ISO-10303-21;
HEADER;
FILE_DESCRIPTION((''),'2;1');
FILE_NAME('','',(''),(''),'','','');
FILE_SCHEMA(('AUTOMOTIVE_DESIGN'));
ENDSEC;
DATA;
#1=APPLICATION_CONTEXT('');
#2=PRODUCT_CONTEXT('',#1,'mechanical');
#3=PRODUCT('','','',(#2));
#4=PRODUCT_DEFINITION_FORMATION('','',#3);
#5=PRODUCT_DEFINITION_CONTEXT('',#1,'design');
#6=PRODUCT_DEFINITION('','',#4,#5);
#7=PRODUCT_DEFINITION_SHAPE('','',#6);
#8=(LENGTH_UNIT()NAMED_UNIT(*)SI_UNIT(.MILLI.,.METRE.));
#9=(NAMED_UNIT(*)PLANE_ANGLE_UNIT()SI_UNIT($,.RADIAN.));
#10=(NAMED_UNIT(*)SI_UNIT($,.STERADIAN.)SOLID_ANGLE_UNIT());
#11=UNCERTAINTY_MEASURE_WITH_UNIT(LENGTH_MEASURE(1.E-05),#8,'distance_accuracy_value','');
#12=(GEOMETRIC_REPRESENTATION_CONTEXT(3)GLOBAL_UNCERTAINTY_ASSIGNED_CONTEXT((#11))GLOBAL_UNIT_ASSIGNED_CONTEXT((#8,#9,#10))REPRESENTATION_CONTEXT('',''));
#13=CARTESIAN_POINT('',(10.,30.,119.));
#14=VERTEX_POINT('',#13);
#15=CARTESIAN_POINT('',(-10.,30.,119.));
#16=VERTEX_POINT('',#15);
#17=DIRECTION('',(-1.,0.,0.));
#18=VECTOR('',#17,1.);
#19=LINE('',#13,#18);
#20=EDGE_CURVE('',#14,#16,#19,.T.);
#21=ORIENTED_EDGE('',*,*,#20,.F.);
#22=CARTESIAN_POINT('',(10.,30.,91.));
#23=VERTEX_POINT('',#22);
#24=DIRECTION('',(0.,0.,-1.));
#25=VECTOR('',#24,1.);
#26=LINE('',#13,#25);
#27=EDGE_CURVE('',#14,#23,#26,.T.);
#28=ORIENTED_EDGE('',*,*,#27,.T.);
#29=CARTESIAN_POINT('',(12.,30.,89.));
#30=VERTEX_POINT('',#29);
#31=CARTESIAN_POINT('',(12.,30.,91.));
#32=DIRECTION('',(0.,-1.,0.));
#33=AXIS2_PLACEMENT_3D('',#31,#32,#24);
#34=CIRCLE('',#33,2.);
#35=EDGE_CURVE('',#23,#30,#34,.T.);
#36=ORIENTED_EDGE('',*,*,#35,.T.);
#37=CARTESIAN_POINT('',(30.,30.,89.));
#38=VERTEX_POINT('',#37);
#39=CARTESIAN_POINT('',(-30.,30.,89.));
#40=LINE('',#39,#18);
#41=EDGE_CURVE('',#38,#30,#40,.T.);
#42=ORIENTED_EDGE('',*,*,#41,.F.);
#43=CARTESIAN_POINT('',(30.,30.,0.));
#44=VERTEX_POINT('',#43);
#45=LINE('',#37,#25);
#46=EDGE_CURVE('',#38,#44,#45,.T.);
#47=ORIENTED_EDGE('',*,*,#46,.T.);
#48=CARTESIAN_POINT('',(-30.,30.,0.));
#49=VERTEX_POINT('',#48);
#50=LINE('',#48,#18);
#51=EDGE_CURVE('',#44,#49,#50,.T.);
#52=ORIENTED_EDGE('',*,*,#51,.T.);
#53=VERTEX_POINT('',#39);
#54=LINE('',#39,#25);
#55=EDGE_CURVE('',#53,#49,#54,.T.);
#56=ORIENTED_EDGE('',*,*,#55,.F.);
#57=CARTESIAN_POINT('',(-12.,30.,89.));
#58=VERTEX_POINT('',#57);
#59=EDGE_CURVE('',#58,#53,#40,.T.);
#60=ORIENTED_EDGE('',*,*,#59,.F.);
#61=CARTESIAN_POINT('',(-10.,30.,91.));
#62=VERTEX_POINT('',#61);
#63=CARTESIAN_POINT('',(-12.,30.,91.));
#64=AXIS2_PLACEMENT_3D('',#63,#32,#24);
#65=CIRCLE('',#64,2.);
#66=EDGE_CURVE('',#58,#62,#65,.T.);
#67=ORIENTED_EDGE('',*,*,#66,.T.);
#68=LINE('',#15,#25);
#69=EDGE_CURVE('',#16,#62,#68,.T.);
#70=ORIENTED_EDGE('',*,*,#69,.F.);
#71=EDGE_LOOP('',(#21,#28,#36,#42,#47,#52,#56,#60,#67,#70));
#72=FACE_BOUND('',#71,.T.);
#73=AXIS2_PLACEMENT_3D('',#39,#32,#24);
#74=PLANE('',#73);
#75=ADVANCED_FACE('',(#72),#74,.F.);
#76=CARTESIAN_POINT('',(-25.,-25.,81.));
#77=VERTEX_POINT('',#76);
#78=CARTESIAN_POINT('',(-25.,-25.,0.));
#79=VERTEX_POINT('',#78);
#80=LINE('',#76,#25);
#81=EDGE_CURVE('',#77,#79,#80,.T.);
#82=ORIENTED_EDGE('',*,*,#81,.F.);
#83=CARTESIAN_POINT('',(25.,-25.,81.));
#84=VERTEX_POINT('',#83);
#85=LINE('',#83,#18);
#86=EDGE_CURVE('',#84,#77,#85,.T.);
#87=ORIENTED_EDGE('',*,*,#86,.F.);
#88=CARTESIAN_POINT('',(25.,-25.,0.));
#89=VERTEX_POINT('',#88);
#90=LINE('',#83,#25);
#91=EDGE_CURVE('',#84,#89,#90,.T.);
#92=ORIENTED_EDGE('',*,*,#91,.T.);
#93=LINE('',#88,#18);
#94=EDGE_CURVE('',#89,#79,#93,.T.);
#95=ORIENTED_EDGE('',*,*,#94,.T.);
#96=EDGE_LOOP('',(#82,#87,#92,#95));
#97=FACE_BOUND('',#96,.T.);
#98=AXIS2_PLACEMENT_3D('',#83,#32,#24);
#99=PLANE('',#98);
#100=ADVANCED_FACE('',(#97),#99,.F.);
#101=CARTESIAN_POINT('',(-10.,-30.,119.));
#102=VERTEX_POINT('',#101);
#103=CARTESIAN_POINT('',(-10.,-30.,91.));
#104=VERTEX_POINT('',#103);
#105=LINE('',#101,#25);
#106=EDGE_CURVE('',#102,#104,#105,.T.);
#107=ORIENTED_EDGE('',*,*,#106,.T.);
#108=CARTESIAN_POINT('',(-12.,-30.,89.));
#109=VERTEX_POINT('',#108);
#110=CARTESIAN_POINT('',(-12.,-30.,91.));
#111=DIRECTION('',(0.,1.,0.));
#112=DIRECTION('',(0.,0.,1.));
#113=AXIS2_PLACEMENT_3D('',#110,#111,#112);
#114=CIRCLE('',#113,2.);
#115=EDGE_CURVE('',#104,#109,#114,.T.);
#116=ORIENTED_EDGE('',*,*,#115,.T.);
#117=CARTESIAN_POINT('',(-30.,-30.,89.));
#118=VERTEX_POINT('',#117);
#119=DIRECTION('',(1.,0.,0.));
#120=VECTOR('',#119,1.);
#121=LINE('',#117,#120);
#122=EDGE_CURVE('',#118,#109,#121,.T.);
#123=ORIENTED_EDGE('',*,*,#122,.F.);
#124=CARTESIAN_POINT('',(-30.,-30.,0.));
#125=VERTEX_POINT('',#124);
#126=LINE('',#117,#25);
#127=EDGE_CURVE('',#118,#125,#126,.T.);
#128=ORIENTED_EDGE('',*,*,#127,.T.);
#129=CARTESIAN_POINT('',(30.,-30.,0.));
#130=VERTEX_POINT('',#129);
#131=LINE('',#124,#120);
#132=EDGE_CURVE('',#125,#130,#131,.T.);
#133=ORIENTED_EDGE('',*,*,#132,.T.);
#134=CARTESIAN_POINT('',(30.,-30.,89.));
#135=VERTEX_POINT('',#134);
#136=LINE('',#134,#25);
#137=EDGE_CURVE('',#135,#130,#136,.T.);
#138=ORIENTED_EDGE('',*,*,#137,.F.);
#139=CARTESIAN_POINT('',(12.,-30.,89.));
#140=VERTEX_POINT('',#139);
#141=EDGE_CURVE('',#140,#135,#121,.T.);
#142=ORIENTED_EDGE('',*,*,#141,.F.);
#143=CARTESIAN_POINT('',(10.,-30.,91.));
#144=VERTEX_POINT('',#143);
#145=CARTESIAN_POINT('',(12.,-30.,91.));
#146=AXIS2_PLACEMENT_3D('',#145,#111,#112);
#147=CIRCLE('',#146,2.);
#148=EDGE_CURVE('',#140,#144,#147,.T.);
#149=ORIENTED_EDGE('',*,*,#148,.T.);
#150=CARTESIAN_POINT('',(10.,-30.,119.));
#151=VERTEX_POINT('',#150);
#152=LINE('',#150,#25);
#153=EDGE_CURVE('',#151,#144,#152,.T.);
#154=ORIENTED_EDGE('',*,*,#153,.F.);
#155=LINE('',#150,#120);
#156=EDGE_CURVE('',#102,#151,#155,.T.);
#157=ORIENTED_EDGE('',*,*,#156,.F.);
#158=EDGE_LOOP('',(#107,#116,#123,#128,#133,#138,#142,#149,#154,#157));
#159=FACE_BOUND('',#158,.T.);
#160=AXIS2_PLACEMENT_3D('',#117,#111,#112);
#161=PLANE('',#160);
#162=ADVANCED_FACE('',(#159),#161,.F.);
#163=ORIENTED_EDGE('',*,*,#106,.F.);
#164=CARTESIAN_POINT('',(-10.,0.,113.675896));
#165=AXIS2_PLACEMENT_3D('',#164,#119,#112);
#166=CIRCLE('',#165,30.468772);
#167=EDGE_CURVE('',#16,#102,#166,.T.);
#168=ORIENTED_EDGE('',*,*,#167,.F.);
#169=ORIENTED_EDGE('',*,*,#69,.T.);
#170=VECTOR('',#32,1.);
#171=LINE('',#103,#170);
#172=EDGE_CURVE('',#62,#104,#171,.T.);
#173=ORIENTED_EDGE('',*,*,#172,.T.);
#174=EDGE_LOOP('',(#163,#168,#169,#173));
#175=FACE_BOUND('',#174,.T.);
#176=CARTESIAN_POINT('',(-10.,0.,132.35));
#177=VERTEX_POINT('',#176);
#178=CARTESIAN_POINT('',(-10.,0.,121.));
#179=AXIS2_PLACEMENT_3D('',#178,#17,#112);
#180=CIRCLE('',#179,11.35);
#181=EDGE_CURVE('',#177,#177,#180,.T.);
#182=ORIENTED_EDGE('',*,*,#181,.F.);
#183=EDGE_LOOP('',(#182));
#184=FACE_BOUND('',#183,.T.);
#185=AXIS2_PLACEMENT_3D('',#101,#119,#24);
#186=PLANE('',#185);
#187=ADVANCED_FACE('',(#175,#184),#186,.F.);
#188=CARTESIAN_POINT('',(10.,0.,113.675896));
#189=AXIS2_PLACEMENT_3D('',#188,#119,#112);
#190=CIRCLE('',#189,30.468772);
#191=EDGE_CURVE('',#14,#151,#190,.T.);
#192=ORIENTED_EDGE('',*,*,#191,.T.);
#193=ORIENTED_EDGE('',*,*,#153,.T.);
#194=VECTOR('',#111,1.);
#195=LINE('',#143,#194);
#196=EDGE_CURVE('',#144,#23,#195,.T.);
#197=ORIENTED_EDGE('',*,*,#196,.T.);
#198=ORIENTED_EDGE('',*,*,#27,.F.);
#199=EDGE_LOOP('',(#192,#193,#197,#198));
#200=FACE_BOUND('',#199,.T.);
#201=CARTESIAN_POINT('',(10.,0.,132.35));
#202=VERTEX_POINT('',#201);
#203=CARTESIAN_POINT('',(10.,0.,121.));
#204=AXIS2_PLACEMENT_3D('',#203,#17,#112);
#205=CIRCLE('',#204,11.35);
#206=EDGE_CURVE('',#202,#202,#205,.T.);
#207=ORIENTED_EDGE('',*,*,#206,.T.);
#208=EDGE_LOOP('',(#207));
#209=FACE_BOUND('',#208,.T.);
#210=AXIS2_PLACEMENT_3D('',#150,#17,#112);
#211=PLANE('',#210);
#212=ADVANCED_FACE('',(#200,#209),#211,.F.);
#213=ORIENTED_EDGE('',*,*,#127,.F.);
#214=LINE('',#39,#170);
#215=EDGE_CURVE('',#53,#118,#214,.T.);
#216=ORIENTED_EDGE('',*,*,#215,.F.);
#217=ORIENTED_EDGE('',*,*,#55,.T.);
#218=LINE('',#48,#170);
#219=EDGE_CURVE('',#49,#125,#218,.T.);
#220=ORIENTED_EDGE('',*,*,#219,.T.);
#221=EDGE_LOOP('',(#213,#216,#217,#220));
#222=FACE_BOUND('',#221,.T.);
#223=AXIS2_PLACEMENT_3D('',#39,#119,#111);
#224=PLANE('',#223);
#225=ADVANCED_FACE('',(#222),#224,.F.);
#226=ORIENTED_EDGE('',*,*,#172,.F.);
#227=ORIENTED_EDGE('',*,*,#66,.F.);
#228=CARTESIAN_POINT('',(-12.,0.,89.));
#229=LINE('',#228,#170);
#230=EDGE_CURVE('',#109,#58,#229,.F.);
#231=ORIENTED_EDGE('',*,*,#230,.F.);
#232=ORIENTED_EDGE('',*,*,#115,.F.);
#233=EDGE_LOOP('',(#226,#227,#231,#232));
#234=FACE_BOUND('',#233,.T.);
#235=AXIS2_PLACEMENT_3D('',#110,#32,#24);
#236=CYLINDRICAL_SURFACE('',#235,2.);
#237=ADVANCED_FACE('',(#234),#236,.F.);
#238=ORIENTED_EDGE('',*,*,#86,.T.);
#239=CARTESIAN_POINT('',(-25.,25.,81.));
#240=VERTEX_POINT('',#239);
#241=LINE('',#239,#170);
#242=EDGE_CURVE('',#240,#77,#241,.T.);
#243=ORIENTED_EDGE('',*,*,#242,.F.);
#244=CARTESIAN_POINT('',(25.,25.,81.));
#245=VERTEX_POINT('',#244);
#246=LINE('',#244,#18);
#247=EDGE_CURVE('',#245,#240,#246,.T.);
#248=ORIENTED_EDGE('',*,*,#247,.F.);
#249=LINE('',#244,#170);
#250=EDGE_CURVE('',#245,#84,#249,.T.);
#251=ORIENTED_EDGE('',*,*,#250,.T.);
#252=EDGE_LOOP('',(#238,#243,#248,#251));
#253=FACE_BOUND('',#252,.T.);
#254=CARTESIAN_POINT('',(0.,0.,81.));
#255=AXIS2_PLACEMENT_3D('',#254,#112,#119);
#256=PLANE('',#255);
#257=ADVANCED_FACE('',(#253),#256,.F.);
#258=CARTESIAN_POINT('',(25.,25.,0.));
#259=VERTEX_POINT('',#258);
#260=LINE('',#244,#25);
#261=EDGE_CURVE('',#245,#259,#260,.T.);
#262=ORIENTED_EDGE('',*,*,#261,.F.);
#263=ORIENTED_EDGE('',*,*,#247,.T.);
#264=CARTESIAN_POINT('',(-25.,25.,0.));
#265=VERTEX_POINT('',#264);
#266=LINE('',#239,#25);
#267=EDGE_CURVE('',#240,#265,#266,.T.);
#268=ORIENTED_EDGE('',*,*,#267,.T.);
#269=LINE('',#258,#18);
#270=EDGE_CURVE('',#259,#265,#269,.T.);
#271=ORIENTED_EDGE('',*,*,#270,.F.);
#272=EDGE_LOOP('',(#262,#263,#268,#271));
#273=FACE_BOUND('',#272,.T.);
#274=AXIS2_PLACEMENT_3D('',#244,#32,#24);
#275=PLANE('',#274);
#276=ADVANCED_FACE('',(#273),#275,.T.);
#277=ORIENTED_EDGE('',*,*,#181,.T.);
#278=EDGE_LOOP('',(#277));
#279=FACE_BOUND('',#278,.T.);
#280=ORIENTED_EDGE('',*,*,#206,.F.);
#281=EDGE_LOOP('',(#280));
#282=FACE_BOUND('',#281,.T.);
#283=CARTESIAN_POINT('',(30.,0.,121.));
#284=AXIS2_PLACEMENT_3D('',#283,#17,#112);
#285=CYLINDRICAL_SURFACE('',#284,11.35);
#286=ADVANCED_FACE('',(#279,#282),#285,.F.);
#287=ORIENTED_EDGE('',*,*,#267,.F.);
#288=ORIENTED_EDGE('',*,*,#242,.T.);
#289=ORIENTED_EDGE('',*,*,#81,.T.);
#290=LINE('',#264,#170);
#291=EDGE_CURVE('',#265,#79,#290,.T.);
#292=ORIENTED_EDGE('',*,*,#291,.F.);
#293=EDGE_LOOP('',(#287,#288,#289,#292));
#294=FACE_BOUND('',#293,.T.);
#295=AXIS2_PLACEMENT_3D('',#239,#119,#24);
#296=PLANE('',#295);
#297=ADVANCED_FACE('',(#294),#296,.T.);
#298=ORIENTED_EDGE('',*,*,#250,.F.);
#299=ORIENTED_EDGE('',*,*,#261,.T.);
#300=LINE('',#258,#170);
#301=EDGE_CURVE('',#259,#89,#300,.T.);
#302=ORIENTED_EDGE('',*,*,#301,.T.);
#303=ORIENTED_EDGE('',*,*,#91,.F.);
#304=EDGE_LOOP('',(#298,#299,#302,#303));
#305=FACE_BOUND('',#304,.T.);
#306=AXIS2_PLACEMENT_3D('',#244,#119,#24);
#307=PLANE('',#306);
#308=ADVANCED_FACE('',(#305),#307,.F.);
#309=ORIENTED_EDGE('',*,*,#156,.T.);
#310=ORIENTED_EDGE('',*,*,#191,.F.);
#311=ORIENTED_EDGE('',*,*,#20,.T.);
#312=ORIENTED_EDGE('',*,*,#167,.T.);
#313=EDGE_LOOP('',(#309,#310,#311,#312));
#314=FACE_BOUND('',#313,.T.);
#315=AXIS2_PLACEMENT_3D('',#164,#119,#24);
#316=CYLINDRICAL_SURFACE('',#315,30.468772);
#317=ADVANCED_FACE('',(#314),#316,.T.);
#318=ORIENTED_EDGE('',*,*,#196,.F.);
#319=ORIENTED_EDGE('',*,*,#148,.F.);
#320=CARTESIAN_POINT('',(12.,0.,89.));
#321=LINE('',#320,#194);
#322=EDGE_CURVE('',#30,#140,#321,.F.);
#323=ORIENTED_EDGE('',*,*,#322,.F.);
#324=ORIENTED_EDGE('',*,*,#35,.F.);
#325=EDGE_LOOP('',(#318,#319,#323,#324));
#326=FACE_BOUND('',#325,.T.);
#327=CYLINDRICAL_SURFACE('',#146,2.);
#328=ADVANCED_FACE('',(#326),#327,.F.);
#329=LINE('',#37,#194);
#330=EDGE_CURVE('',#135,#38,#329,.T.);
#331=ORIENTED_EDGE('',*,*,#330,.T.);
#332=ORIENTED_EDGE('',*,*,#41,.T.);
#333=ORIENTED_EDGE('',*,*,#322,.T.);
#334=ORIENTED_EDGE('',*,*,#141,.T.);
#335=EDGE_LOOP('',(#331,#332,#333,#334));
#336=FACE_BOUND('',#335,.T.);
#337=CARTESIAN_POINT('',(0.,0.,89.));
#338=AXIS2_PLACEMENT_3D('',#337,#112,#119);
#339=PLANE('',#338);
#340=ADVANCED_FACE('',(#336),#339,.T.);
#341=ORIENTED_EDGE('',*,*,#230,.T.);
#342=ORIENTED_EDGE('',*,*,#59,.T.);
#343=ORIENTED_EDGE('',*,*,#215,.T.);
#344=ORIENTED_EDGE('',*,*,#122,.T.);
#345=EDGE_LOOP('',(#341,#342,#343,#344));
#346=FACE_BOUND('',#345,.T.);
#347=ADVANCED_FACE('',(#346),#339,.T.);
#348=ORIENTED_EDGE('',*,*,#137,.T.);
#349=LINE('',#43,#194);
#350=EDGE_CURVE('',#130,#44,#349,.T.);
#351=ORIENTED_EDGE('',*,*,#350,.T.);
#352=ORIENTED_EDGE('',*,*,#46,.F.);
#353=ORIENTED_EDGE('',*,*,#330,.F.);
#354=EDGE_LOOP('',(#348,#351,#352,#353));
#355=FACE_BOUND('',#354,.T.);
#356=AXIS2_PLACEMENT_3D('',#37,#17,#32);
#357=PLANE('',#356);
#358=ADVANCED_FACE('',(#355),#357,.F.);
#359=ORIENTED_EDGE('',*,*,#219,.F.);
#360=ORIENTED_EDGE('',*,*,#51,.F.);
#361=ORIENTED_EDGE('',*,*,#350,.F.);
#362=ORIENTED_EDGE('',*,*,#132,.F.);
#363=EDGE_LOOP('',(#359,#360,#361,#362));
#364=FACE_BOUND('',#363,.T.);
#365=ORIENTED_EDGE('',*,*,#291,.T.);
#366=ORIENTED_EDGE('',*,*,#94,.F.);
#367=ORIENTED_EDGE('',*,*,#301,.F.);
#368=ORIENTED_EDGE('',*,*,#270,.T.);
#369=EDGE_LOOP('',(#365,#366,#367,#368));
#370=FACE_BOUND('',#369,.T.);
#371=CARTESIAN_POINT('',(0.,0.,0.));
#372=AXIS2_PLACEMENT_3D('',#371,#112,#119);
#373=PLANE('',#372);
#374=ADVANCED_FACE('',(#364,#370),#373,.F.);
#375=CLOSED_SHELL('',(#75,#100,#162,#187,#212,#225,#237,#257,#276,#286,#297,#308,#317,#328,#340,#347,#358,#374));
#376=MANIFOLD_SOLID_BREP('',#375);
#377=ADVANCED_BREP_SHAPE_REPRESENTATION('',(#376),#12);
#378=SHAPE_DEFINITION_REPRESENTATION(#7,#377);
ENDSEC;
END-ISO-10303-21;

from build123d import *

# Parameters (mm, degrees)
SKETCH2_W           = 60
SKETCH2_H           = 60
BOSS_EXTRUDE1_DEPTH = 89
SKETCH3_W           = 20
SKETCH3_H           = 60
BOSS_EXTRUDE2_DEPTH = 30
BOSS_EXTRUDE3_DEPTH = 20
FILLET1_R           = 2
SKETCH7_W           = 50
SKETCH7_H           = 50
CUT_EXTRUDE1_DEPTH  = 81
SKETCH8_R           = 11.35
CUT_EXTRUDE2_DEPTH  = 153.570263572


with BuildPart() as part:
    # Sketch2 → Boss-Extrude1 (new body)
    with BuildSketch(Plane.XY):
        Rectangle(SKETCH2_W, SKETCH2_H)
    extrude(amount=BOSS_EXTRUDE1_DEPTH)

    # Sketch3 → Boss-Extrude2 (add)
    with BuildSketch(Plane.XY.offset(89)):
        Rectangle(SKETCH3_W, SKETCH3_H)
    extrude(amount=BOSS_EXTRUDE2_DEPTH)

    # Sketch4 → Boss-Extrude3 (add)
    with BuildSketch(Plane(origin=(10, 0, 0), x_dir=(0, 0, -1), z_dir=(1, 0, 0))):
        with BuildLine():
            Line((-119, -30), (-119, 30))
            ThreePointArc((-119, 30), (-144.144668047, 0), (-119, -30))
        make_face()
    extrude(amount=-BOSS_EXTRUDE3_DEPTH)

    # Fillet1
    fillet1_edges = [part.edges().sort_by_distance(p)[0] for p in [
        (-10, 0, 89),
        (10, 0, 89),
    ]]
    fillet(fillet1_edges, radius=FILLET1_R)

    # Sketch7 → Cut-Extrude1 (cut)
    with BuildSketch(Plane(origin=(0, 0, 0), x_dir=(-1, 0, 0), z_dir=(0, 0, -1))):
        Rectangle(SKETCH7_W, SKETCH7_H)
    extrude(amount=-CUT_EXTRUDE1_DEPTH, mode=Mode.SUBTRACT)

    # Sketch8 → Cut-Extrude2 (cut, through all)
    with BuildSketch(Plane.ZY.offset(10)):
        with Locations((121, 0)):
            Circle(SKETCH8_R)
    extrude(amount=-CUT_EXTRUDE2_DEPTH, mode=Mode.SUBTRACT)


solid = part.part
